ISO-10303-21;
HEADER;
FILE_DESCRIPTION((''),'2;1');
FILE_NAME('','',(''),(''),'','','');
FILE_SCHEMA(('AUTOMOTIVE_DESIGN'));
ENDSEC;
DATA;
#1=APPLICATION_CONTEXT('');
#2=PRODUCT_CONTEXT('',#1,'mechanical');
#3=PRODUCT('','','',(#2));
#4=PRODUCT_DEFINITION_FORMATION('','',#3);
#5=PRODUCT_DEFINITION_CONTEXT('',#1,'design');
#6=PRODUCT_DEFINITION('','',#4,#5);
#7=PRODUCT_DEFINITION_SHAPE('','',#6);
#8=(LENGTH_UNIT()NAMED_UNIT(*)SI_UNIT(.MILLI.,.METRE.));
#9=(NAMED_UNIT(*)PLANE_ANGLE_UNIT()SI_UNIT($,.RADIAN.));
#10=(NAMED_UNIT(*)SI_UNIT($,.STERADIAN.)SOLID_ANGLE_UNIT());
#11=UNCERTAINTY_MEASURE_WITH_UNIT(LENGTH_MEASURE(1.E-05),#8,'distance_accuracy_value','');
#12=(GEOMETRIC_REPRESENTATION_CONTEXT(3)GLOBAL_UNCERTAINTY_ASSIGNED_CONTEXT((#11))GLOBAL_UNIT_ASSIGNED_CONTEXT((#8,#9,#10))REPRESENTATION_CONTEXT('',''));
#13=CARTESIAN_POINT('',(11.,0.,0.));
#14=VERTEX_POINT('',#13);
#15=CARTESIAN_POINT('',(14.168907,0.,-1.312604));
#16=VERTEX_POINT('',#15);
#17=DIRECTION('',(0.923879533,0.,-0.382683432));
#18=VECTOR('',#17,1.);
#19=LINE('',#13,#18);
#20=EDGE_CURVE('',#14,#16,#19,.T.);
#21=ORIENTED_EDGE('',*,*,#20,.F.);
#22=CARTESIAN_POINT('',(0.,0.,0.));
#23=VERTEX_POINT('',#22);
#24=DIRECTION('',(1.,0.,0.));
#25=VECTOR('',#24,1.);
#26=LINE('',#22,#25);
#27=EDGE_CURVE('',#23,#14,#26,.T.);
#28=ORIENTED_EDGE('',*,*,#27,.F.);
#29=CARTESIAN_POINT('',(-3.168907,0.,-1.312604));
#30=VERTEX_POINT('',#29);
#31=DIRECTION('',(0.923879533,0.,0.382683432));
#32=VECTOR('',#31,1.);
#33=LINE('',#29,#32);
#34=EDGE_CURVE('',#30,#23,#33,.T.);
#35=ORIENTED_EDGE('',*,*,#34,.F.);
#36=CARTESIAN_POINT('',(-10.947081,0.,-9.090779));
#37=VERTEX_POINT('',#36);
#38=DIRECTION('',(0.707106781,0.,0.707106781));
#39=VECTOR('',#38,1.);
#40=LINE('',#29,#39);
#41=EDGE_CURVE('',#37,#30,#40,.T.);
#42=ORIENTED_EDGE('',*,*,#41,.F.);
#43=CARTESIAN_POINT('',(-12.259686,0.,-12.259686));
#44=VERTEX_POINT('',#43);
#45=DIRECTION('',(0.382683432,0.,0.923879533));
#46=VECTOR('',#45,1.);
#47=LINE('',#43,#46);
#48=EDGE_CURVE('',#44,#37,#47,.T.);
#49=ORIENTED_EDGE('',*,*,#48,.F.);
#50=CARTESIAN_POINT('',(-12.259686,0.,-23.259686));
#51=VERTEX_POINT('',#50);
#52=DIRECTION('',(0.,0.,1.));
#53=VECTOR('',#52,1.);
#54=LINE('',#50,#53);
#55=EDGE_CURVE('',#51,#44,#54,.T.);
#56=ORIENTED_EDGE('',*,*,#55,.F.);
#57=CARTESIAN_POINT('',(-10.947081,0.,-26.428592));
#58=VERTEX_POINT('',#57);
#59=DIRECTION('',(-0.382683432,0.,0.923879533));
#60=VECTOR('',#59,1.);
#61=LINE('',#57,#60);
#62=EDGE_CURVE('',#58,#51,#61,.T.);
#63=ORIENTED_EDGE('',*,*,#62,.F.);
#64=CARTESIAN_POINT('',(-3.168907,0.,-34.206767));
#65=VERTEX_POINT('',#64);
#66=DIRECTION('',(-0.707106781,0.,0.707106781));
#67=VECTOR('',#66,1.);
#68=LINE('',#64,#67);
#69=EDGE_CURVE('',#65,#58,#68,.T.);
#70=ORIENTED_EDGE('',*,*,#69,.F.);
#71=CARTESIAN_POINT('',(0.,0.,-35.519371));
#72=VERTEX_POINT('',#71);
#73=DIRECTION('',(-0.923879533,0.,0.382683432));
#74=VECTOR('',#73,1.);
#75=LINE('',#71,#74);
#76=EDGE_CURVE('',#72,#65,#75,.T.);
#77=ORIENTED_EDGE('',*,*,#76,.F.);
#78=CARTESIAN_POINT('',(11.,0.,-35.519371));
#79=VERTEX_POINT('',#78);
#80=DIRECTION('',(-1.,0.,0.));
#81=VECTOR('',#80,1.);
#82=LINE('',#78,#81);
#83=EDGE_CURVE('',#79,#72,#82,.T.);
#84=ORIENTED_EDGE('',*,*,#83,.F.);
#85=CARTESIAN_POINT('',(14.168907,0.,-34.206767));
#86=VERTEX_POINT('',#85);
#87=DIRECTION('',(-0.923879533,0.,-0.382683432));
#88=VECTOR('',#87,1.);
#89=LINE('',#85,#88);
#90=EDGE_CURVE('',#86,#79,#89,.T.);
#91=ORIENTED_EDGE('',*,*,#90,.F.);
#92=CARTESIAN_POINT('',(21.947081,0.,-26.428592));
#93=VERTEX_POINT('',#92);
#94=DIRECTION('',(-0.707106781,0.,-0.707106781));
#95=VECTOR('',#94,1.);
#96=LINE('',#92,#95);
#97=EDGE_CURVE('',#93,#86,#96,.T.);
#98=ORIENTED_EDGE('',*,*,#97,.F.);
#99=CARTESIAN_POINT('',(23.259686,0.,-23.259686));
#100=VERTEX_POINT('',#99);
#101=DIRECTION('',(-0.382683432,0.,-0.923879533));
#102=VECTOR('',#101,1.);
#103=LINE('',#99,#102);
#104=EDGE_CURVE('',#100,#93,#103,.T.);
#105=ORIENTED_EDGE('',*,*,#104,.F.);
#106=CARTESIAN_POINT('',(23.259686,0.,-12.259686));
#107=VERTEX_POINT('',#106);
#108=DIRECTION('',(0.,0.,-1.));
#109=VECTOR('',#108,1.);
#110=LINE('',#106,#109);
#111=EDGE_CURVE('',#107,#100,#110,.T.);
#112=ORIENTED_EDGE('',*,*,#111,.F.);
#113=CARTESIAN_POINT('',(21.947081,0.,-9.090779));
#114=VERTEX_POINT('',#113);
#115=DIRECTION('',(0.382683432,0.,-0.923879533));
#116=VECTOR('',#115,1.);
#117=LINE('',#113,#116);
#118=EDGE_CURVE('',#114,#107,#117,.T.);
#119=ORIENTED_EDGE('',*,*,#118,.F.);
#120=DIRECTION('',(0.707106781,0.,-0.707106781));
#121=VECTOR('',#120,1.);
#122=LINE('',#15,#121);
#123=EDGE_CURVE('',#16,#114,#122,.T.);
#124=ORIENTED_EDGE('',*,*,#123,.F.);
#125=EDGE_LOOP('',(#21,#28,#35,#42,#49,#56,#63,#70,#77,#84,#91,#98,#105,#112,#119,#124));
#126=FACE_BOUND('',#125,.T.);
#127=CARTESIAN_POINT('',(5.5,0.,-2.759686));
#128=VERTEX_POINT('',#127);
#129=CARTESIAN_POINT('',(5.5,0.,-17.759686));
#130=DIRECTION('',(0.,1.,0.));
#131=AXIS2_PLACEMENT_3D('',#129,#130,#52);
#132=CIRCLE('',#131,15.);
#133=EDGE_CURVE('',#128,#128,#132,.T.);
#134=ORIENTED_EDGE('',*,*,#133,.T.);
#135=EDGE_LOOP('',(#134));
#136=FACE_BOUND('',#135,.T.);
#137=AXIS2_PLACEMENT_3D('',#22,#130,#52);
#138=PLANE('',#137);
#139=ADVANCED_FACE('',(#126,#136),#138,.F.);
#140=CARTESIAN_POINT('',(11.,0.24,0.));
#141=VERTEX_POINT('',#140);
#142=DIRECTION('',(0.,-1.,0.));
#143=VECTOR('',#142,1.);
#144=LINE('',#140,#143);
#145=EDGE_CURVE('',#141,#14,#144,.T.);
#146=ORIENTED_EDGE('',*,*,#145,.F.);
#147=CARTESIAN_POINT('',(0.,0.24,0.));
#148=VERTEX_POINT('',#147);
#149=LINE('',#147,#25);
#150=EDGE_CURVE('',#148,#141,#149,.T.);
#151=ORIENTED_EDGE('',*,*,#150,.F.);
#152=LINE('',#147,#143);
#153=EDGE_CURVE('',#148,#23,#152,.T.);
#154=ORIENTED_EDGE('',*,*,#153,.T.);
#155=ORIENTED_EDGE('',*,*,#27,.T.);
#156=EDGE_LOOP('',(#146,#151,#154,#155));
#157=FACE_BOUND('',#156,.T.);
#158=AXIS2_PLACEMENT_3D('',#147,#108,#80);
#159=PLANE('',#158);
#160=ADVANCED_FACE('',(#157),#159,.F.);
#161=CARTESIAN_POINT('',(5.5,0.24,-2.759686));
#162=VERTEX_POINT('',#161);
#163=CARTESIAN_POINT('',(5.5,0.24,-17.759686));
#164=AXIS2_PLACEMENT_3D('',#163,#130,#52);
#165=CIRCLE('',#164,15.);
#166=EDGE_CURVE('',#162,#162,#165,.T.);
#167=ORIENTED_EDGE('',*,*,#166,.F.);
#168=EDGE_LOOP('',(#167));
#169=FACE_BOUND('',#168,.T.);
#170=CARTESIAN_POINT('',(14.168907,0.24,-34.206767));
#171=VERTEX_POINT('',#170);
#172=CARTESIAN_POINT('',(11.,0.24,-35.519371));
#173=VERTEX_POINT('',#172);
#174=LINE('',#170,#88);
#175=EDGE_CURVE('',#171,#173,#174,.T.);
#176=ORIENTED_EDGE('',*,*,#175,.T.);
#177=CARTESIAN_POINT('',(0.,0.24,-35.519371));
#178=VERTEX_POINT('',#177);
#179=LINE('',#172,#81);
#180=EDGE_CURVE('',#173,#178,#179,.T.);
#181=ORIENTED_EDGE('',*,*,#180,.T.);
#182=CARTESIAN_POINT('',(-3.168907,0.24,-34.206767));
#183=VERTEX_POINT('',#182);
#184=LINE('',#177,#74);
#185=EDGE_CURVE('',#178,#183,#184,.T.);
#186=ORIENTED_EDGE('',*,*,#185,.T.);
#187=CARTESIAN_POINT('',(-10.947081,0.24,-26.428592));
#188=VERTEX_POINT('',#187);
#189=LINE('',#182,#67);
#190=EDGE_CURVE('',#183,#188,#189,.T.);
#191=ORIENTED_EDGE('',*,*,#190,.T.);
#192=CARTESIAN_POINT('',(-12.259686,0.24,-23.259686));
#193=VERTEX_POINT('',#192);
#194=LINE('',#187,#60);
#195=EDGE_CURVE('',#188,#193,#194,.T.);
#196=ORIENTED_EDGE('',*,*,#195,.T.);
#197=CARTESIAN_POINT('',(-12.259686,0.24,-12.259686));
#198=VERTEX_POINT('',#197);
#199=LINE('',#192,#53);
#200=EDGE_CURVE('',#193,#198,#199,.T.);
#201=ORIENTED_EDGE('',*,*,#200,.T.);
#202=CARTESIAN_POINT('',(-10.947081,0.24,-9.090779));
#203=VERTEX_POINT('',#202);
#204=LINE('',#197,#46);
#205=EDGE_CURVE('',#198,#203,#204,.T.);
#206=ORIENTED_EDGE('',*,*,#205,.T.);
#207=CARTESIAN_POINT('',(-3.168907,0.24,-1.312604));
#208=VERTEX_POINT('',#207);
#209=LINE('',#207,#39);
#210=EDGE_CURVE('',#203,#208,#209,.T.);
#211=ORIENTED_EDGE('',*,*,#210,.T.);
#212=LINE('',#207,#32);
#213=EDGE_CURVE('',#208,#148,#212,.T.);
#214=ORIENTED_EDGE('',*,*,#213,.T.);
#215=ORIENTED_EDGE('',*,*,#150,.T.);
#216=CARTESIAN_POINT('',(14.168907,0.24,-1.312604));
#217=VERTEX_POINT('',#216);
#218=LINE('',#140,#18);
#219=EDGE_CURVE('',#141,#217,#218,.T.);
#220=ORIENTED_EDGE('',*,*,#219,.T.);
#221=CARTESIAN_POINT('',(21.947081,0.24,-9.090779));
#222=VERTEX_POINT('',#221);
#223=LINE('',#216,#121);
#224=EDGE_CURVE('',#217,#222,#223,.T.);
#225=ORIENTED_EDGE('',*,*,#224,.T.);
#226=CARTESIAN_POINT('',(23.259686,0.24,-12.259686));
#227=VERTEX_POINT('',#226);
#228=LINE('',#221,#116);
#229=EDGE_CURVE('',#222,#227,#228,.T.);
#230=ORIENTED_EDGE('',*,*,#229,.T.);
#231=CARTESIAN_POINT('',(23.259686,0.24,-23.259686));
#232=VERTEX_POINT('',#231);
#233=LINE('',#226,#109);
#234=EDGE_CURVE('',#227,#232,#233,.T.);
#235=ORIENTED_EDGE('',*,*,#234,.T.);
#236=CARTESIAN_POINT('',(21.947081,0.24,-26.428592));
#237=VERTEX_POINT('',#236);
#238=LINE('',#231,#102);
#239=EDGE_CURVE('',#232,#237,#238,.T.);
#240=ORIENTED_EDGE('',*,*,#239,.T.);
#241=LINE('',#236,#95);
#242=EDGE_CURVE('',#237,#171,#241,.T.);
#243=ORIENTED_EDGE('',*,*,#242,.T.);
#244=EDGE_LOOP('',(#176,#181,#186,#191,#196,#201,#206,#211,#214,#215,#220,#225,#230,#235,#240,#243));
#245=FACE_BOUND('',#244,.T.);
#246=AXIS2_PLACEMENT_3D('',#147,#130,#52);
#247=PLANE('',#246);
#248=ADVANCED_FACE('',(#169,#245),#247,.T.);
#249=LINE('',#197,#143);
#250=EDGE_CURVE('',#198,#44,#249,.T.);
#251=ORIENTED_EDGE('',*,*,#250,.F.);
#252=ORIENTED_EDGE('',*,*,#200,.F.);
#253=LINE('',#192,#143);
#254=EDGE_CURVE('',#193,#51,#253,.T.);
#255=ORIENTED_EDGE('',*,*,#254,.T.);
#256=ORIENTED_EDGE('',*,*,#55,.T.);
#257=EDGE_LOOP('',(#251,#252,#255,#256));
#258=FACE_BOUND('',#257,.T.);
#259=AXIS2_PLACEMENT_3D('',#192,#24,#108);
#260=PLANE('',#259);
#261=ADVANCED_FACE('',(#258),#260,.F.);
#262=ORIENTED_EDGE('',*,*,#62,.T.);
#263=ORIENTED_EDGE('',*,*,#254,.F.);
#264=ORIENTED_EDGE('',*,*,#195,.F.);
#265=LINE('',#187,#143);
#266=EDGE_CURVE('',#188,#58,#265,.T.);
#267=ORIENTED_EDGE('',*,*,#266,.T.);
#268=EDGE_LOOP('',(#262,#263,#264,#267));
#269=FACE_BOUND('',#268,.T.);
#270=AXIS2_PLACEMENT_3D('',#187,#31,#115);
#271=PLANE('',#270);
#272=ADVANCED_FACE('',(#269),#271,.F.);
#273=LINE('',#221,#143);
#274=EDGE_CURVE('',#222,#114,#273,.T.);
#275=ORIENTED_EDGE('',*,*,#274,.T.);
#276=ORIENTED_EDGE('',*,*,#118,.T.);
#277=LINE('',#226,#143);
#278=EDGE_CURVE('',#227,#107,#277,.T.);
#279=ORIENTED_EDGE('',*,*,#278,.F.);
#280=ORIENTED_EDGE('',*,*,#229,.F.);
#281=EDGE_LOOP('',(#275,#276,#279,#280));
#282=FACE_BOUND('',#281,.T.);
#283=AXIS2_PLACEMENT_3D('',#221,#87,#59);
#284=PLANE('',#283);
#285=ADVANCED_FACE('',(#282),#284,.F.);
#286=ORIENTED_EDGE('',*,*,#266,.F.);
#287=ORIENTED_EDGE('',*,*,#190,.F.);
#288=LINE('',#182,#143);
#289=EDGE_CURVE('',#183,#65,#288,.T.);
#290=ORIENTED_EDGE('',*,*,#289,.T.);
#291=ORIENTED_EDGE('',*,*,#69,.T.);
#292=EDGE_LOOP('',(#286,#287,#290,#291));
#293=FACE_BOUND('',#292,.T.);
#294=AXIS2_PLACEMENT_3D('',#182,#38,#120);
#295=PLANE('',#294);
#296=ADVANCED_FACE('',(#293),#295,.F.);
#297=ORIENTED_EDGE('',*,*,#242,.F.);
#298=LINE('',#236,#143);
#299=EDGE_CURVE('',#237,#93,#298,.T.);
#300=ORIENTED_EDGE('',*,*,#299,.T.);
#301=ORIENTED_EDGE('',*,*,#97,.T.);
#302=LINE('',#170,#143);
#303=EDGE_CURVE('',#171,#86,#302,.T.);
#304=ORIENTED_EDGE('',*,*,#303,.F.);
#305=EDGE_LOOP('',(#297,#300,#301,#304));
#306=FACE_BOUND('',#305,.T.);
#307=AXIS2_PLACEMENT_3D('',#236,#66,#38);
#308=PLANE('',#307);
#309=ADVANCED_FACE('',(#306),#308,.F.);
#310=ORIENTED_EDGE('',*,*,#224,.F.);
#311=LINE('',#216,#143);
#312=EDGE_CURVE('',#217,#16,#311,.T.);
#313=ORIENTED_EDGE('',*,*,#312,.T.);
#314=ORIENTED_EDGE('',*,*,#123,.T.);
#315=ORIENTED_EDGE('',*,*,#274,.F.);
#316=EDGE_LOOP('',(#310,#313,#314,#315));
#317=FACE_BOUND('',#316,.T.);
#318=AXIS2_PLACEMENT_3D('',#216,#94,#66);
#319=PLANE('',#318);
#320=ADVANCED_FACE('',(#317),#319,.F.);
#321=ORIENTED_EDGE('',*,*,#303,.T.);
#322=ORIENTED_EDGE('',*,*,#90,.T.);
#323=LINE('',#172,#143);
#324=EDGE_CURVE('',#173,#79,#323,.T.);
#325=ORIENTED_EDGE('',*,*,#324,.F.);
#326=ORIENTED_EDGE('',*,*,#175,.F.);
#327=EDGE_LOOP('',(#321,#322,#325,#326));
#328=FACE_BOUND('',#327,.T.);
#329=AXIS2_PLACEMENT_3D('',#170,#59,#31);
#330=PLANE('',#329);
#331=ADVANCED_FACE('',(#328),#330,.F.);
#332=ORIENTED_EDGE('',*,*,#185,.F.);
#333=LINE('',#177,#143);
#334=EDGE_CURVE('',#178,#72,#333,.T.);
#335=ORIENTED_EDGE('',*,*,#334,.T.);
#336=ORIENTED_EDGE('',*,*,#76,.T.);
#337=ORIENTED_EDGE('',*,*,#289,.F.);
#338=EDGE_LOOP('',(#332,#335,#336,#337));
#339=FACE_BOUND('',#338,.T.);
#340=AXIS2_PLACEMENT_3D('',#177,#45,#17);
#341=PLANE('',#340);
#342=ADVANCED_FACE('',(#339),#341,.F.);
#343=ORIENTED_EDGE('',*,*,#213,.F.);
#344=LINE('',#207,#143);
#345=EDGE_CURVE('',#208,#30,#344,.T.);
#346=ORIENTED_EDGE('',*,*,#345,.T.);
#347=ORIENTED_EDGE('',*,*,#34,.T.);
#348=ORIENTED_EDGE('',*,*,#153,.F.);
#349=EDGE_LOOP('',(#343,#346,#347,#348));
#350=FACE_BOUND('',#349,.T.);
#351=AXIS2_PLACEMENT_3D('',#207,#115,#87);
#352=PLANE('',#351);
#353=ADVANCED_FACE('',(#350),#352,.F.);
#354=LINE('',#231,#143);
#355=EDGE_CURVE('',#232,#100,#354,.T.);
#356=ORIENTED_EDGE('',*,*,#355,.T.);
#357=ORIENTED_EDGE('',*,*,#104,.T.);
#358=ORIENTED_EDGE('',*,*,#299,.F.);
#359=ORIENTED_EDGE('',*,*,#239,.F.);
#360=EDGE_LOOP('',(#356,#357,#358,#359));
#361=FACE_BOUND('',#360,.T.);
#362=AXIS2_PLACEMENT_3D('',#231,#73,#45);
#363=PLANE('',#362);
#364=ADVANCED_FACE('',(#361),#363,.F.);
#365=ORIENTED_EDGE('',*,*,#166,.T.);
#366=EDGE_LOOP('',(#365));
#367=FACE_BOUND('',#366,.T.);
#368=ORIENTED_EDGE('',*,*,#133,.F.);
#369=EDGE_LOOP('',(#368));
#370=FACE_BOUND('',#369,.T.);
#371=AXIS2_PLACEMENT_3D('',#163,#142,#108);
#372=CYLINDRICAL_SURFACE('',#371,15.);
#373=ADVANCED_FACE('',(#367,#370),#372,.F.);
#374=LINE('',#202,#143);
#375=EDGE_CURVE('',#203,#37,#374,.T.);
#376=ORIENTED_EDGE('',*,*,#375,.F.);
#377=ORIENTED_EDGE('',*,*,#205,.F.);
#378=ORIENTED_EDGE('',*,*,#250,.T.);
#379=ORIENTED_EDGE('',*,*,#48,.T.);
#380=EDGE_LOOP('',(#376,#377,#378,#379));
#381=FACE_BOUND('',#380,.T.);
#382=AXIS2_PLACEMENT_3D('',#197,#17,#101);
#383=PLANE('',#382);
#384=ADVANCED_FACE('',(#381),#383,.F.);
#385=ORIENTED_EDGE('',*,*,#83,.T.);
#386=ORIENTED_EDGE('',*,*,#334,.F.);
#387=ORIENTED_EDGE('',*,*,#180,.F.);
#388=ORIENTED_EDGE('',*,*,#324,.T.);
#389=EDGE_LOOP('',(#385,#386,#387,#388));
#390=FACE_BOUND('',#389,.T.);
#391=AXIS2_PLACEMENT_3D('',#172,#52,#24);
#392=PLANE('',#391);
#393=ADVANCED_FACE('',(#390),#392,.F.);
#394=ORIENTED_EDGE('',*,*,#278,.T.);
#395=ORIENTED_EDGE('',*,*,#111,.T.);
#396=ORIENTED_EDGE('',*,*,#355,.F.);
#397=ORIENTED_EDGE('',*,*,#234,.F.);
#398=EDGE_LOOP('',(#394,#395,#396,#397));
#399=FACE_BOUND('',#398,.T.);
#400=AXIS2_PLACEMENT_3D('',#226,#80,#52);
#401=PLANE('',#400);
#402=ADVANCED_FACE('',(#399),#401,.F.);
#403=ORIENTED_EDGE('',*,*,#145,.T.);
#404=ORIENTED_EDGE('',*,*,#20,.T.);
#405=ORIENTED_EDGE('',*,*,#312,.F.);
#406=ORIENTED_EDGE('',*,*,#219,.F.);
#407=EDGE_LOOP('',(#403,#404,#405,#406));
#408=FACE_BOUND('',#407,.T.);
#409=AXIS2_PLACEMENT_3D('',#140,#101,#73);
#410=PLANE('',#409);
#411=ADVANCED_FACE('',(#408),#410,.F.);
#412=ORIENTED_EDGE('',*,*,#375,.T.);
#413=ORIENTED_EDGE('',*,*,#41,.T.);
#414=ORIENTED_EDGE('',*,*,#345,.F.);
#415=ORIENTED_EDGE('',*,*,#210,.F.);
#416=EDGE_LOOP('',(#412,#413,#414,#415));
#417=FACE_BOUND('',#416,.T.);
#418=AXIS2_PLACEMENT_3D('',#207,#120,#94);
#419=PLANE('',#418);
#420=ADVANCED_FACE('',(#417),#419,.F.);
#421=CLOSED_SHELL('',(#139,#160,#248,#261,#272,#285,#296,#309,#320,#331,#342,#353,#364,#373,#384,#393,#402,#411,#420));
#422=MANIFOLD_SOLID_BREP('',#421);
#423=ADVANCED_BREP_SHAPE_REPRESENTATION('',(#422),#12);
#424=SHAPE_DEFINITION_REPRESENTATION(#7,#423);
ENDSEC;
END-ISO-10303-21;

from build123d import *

# Parameters (mm, degrees)
SKETCH1_R           = 15
BOSS_EXTRUDE1_DEPTH = 0.24


with BuildPart() as part:
    # Sketch1 → Boss-Extrude1 (new body)
    with BuildSketch(Plane(origin=(0, 0, 0), x_dir=(1, 0, 0), z_dir=(0, 1, 0))):
        Polygon((0, 0), (11, 0), (14.168906797, 1.312604173), (21.94708139, 9.090778766), (23.259685563, 12.259685563), (23.259685563, 23.259685563), (21.94708139, 26.428592359), (14.168906797, 34.206766952), (11, 35.519371125), (0, 35.519371125), (-3.168906797, 34.206766952), (-10.94708139, 26.428592359), (-12.259685563, 23.259685563), (-12.259685563, 12.259685563), (-10.94708139, 9.090778766), (-3.168906797, 1.312604173), align=None)
        with Locations(Location((5.5, 17.759685563, 0), (0, 0, 270))):
            Circle(SKETCH1_R, mode=Mode.SUBTRACT)
    extrude(amount=BOSS_EXTRUDE1_DEPTH)


solid = part.part
